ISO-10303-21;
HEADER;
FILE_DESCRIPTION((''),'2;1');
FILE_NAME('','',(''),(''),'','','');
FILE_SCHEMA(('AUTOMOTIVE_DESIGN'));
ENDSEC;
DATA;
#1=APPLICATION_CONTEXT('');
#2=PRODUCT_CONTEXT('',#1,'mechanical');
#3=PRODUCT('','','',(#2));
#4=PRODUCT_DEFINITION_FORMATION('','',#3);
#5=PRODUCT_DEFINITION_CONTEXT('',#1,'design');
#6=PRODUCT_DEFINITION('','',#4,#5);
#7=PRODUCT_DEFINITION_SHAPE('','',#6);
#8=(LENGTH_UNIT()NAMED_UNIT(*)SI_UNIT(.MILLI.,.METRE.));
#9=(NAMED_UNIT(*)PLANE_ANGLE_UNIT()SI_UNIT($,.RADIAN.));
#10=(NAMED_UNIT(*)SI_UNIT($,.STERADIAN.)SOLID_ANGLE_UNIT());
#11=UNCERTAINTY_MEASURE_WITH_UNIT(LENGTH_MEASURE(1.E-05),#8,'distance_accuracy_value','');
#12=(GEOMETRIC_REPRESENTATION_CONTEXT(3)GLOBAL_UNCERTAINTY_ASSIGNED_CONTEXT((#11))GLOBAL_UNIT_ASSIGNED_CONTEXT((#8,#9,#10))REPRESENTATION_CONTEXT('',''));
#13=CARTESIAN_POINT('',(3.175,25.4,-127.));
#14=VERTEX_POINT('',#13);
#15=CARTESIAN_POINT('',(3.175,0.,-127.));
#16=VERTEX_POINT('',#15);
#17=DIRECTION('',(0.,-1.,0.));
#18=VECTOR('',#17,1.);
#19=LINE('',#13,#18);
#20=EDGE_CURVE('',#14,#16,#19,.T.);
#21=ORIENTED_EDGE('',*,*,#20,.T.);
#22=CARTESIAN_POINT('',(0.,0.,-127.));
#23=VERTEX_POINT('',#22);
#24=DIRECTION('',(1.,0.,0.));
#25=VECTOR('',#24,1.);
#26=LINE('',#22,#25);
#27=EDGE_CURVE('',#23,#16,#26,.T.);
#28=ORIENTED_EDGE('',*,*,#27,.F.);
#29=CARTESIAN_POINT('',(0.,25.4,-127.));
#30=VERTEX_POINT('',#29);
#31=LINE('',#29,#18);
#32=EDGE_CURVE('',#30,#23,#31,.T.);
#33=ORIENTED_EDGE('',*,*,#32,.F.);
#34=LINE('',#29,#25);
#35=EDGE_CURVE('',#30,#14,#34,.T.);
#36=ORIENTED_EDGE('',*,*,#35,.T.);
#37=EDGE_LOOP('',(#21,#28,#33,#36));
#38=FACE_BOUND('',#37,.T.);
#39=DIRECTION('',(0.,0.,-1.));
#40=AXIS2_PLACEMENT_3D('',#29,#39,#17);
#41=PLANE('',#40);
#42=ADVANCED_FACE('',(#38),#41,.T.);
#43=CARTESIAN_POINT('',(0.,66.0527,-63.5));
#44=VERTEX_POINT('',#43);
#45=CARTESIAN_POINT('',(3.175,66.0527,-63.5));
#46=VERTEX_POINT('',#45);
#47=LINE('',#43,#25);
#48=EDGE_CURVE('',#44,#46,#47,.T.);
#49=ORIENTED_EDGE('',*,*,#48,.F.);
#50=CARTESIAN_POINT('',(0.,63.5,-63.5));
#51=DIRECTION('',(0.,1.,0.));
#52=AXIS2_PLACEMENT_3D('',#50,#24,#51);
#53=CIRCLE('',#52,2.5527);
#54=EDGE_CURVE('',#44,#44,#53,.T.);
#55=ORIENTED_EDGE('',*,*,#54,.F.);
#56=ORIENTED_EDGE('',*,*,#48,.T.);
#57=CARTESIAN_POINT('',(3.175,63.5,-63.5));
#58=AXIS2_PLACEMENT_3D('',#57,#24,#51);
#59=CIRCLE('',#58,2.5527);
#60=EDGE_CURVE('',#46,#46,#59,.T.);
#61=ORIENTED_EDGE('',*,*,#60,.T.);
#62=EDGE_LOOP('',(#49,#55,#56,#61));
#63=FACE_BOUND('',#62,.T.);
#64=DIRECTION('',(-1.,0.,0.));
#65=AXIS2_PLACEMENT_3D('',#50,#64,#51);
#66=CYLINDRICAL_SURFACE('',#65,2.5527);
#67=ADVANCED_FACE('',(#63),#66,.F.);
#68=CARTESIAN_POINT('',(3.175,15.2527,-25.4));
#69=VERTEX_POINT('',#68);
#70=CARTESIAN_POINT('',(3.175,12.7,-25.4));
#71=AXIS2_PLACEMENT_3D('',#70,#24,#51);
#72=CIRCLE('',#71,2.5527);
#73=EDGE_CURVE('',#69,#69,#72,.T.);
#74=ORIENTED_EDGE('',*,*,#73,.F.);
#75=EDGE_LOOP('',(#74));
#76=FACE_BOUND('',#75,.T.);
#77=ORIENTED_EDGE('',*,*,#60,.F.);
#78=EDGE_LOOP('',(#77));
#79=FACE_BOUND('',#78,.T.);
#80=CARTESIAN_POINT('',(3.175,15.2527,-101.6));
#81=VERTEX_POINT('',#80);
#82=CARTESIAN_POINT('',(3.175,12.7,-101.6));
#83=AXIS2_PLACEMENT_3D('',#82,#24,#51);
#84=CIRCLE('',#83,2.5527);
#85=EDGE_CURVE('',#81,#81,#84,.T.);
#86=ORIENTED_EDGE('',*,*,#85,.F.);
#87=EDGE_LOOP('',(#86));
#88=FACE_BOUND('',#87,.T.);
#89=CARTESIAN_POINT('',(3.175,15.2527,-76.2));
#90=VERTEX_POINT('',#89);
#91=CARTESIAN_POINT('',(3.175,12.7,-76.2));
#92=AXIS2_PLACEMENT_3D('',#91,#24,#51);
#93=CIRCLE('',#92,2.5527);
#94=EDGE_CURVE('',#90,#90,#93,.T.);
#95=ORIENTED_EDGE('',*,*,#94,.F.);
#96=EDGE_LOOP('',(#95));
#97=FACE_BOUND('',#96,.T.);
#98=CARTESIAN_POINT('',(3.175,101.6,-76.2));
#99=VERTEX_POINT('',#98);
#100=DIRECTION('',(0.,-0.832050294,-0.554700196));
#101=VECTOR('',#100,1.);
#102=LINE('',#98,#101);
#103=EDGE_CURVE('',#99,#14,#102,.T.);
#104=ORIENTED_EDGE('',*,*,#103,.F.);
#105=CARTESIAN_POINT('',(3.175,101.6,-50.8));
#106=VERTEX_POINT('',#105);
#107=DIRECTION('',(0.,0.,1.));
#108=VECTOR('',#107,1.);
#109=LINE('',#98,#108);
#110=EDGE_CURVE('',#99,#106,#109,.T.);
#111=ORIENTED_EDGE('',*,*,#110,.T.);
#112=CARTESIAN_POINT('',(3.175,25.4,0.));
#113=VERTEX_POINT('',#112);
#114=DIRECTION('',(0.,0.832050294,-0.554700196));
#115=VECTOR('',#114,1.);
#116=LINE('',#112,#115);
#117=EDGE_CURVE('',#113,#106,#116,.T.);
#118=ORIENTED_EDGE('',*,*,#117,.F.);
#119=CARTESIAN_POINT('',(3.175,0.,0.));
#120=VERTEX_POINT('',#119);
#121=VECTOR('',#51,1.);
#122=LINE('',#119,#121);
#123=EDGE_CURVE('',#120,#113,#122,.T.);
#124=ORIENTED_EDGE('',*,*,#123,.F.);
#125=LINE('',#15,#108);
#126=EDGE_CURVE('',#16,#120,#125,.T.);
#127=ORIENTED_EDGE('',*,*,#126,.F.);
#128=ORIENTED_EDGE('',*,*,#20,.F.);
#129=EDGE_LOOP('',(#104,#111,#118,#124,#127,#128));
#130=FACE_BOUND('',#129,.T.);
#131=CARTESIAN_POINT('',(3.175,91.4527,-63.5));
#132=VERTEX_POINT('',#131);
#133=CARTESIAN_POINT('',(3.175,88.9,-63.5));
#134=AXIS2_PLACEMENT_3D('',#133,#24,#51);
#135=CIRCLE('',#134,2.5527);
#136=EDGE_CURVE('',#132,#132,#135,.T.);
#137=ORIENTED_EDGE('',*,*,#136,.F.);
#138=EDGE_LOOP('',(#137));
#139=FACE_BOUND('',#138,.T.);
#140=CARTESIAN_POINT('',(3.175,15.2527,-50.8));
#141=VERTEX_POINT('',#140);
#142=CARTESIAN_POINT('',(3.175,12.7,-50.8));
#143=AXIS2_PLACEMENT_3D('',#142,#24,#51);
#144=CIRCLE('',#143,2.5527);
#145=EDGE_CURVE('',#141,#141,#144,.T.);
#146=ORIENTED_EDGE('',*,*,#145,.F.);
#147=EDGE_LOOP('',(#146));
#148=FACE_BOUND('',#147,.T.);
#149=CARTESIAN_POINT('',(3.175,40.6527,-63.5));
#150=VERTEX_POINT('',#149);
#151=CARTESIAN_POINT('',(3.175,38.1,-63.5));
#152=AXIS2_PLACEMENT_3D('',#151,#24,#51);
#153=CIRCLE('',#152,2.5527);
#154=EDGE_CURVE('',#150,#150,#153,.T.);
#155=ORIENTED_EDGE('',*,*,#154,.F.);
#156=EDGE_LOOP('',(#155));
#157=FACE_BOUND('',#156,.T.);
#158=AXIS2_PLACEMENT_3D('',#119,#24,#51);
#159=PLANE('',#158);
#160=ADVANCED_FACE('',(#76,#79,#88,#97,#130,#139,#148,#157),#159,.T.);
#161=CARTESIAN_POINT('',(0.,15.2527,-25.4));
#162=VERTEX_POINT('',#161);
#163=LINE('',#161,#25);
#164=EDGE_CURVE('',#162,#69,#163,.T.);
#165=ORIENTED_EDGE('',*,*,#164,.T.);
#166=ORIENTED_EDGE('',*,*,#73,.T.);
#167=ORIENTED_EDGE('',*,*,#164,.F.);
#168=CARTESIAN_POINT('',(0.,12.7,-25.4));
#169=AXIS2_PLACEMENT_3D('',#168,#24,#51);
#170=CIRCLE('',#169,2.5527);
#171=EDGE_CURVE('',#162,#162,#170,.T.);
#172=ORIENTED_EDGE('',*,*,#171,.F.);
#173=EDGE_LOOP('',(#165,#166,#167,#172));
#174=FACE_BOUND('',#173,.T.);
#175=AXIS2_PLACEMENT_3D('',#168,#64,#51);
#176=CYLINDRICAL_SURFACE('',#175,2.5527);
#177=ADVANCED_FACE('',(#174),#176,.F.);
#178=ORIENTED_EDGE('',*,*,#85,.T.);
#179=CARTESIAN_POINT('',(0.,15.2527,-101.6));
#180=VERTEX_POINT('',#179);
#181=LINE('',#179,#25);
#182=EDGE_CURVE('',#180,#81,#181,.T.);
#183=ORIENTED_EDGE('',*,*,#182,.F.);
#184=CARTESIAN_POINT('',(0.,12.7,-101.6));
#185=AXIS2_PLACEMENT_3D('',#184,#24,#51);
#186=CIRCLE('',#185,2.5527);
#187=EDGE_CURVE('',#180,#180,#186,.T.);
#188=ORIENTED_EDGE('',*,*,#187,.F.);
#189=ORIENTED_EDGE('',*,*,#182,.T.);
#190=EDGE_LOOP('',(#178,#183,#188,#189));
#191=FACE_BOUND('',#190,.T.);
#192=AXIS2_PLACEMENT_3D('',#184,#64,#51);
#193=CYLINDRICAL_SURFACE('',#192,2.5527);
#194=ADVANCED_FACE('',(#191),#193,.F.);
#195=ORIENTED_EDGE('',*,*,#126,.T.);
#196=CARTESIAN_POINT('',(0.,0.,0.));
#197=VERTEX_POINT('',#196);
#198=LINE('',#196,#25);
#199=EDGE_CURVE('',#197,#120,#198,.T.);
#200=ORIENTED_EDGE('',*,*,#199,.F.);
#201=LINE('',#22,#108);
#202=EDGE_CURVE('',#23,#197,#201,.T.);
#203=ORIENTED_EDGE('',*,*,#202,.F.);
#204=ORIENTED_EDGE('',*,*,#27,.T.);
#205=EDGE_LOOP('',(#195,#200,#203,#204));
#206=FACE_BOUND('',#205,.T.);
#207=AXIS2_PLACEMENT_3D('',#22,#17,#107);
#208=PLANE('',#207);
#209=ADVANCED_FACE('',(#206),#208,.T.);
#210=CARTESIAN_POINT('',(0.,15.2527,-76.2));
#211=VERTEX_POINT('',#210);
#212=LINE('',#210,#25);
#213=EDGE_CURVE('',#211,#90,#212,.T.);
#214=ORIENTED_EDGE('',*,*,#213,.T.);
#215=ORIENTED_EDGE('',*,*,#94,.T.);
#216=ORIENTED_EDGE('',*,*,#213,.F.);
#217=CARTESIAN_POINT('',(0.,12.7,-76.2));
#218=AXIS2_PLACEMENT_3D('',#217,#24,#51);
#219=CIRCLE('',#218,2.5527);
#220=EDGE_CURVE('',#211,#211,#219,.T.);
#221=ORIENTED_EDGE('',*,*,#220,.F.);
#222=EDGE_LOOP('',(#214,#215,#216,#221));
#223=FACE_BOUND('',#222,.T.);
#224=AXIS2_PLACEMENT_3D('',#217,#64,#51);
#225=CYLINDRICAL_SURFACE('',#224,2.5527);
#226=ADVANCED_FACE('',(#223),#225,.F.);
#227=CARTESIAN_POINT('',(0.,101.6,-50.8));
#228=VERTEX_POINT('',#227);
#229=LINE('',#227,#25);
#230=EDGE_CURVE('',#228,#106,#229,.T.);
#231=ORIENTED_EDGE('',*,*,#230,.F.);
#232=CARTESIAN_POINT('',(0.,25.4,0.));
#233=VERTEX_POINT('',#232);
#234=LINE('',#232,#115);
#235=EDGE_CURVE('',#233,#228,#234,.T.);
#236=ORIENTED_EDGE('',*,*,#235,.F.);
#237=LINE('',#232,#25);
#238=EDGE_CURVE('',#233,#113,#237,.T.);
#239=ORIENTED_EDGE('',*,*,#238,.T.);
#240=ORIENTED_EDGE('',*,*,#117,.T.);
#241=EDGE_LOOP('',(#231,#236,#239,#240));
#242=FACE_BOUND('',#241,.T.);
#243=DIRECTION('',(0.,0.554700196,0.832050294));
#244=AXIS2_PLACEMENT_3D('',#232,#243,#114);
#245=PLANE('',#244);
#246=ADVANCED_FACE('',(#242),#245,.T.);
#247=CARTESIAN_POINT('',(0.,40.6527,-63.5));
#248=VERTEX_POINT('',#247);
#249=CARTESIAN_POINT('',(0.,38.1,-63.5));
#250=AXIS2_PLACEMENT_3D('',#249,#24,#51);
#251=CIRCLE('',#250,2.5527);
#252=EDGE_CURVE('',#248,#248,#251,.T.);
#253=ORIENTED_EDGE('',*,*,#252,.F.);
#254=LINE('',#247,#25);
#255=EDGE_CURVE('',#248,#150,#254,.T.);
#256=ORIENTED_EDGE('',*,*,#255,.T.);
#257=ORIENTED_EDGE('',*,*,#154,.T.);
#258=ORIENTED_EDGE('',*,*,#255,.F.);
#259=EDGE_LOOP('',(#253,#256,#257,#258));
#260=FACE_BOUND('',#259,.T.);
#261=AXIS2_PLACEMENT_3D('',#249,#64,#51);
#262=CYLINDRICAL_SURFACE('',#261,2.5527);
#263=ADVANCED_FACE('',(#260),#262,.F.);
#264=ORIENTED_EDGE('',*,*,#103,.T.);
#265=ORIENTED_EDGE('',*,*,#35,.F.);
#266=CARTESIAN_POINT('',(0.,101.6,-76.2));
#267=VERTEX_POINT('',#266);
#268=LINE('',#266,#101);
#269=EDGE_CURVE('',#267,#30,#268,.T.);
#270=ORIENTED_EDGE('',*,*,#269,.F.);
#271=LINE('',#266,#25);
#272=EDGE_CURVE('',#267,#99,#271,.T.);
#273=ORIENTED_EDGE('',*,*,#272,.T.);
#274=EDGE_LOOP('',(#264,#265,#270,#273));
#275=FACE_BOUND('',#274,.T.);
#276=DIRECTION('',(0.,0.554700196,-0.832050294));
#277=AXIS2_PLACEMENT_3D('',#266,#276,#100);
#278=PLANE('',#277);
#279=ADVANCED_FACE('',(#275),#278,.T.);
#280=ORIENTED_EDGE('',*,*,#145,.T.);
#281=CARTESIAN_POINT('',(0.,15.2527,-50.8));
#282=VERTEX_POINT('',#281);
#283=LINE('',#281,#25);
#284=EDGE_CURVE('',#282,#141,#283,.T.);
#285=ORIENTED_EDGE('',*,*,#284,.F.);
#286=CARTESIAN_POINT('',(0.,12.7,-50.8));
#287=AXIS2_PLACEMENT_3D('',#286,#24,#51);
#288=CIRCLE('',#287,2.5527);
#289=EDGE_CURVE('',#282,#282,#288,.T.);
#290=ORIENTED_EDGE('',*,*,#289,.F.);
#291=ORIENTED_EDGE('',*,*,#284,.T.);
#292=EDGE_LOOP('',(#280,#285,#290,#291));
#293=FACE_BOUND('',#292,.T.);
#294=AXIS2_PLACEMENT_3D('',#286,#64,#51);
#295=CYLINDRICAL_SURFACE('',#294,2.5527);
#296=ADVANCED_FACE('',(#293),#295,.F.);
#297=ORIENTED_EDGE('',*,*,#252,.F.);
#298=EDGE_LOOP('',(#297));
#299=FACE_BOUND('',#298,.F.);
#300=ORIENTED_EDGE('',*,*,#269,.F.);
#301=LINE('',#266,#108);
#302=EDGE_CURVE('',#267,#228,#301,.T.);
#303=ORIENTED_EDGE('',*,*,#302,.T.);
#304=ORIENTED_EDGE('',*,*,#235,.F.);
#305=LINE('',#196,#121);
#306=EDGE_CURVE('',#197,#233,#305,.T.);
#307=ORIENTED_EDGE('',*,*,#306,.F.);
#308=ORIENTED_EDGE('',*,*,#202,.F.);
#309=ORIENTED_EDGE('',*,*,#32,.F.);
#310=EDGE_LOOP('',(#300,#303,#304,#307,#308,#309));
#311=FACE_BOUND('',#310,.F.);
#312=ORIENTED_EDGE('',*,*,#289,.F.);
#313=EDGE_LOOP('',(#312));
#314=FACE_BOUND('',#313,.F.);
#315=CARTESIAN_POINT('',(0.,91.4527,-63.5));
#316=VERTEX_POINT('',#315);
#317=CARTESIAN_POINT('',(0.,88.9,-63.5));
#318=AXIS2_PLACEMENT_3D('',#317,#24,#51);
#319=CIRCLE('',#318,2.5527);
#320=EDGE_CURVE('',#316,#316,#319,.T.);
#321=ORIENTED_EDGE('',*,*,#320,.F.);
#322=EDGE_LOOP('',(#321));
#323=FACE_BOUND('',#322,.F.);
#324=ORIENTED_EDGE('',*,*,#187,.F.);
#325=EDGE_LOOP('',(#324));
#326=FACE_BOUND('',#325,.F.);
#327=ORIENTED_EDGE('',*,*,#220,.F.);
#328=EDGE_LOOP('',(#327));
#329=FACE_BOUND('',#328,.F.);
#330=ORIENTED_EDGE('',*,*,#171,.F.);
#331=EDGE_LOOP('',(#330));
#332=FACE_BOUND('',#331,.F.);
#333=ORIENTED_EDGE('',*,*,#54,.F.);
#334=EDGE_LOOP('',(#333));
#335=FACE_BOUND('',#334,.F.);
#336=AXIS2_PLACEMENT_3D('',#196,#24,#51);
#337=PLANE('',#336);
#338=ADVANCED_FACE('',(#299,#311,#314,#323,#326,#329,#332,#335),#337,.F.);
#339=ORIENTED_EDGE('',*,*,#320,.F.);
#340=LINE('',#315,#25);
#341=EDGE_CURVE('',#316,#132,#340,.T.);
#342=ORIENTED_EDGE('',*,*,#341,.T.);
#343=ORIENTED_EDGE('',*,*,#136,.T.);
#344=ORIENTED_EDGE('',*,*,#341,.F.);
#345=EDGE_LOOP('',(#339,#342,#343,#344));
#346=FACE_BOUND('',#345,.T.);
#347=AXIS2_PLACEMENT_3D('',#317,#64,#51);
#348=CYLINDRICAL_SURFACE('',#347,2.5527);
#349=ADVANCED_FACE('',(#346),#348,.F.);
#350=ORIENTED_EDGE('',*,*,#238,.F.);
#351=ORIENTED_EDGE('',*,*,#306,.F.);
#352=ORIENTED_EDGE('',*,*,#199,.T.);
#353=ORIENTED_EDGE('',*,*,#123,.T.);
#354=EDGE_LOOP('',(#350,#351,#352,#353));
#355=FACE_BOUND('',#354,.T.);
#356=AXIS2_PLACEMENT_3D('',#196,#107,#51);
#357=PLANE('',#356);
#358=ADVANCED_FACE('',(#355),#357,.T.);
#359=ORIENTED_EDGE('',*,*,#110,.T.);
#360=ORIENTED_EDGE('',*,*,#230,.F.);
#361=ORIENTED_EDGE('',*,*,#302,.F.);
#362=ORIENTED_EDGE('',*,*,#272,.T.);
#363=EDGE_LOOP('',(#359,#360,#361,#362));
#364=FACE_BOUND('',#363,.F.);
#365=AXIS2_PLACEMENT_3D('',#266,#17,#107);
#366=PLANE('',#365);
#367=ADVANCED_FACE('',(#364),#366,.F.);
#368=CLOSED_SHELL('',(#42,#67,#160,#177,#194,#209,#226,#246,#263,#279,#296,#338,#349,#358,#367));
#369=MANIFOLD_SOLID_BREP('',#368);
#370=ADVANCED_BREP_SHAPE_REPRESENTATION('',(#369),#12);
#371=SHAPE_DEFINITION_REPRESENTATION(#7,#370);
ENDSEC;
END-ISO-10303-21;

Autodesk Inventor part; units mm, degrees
ref_plane "YZ Plane" through (0, 0, 0) normal (1, 0, 0) x (0, 1, 0)
ref_plane "XZ Plane" through (0, 0, 0) normal (0, 1, 0) x (-1, 0, 0)
ref_plane "XY Plane" through (0, 0, 0) normal (0, 0, 1) x (1, 0, 0)
sketch "Sketch1" plane through (0, 0, 0) normal (1, 0, 0) x (0, 1, 0)
  line L0 (0, 0) -> (25.4, 0)
  line L1 (25.4, 0) -> (25.4, -127)
  line L2 (25.4, -127) -> (0, -127)
  line L3 (0, -127) -> (0, 0)
  line L4 (101.6, -50.8) -> (25.4, -50.8)
  line L5 (25.4, -50.8) -> (25.4, -76.2)
  line L6 (25.4, -76.2) -> (101.6, -76.2)
  line L7 (101.6, -76.2) -> (101.6, -50.8)
  circle A0 centre (12.7, -25.4) radius 2.5527
  circle A1 centre (12.7, -50.8) radius 2.5527
  circle A2 centre (12.7, -76.2) radius 2.5527
  circle A3 centre (12.7, -101.6) radius 2.5527
  circle A4 centre (88.9, -63.5) radius 2.5527
  circle A5 centre (63.5, -63.5) radius 2.5527
  circle A6 centre (38.1, -63.5) radius 2.5527
  line L8 (25.4, 0) -> (101.6, -50.8)
  line L9 (101.6, -76.2) -> (25.4, -127)
  point P0 (25.4, -63.5)
  dimension "d0" = 25.4
  dimension "d1" = 127
  dimension "d2" = 76.2
  dimension "d3" = 25.4
  dimension "d4" = 5.1054
  dimension "d5" = 25.4
  dimension "d6" = 12.7
  dimension "d9" = 25.4
  dimension "d14" = 5.1054
  dimension "d15" = 12.7
  dimension "d16" = 12.7
  dimension "d19" = 25.4
extrude "Extrusion1" add sketch "Sketch1" along normal blind 3.175
properties part number "T-Gusset" material "Aluminum 6061"
